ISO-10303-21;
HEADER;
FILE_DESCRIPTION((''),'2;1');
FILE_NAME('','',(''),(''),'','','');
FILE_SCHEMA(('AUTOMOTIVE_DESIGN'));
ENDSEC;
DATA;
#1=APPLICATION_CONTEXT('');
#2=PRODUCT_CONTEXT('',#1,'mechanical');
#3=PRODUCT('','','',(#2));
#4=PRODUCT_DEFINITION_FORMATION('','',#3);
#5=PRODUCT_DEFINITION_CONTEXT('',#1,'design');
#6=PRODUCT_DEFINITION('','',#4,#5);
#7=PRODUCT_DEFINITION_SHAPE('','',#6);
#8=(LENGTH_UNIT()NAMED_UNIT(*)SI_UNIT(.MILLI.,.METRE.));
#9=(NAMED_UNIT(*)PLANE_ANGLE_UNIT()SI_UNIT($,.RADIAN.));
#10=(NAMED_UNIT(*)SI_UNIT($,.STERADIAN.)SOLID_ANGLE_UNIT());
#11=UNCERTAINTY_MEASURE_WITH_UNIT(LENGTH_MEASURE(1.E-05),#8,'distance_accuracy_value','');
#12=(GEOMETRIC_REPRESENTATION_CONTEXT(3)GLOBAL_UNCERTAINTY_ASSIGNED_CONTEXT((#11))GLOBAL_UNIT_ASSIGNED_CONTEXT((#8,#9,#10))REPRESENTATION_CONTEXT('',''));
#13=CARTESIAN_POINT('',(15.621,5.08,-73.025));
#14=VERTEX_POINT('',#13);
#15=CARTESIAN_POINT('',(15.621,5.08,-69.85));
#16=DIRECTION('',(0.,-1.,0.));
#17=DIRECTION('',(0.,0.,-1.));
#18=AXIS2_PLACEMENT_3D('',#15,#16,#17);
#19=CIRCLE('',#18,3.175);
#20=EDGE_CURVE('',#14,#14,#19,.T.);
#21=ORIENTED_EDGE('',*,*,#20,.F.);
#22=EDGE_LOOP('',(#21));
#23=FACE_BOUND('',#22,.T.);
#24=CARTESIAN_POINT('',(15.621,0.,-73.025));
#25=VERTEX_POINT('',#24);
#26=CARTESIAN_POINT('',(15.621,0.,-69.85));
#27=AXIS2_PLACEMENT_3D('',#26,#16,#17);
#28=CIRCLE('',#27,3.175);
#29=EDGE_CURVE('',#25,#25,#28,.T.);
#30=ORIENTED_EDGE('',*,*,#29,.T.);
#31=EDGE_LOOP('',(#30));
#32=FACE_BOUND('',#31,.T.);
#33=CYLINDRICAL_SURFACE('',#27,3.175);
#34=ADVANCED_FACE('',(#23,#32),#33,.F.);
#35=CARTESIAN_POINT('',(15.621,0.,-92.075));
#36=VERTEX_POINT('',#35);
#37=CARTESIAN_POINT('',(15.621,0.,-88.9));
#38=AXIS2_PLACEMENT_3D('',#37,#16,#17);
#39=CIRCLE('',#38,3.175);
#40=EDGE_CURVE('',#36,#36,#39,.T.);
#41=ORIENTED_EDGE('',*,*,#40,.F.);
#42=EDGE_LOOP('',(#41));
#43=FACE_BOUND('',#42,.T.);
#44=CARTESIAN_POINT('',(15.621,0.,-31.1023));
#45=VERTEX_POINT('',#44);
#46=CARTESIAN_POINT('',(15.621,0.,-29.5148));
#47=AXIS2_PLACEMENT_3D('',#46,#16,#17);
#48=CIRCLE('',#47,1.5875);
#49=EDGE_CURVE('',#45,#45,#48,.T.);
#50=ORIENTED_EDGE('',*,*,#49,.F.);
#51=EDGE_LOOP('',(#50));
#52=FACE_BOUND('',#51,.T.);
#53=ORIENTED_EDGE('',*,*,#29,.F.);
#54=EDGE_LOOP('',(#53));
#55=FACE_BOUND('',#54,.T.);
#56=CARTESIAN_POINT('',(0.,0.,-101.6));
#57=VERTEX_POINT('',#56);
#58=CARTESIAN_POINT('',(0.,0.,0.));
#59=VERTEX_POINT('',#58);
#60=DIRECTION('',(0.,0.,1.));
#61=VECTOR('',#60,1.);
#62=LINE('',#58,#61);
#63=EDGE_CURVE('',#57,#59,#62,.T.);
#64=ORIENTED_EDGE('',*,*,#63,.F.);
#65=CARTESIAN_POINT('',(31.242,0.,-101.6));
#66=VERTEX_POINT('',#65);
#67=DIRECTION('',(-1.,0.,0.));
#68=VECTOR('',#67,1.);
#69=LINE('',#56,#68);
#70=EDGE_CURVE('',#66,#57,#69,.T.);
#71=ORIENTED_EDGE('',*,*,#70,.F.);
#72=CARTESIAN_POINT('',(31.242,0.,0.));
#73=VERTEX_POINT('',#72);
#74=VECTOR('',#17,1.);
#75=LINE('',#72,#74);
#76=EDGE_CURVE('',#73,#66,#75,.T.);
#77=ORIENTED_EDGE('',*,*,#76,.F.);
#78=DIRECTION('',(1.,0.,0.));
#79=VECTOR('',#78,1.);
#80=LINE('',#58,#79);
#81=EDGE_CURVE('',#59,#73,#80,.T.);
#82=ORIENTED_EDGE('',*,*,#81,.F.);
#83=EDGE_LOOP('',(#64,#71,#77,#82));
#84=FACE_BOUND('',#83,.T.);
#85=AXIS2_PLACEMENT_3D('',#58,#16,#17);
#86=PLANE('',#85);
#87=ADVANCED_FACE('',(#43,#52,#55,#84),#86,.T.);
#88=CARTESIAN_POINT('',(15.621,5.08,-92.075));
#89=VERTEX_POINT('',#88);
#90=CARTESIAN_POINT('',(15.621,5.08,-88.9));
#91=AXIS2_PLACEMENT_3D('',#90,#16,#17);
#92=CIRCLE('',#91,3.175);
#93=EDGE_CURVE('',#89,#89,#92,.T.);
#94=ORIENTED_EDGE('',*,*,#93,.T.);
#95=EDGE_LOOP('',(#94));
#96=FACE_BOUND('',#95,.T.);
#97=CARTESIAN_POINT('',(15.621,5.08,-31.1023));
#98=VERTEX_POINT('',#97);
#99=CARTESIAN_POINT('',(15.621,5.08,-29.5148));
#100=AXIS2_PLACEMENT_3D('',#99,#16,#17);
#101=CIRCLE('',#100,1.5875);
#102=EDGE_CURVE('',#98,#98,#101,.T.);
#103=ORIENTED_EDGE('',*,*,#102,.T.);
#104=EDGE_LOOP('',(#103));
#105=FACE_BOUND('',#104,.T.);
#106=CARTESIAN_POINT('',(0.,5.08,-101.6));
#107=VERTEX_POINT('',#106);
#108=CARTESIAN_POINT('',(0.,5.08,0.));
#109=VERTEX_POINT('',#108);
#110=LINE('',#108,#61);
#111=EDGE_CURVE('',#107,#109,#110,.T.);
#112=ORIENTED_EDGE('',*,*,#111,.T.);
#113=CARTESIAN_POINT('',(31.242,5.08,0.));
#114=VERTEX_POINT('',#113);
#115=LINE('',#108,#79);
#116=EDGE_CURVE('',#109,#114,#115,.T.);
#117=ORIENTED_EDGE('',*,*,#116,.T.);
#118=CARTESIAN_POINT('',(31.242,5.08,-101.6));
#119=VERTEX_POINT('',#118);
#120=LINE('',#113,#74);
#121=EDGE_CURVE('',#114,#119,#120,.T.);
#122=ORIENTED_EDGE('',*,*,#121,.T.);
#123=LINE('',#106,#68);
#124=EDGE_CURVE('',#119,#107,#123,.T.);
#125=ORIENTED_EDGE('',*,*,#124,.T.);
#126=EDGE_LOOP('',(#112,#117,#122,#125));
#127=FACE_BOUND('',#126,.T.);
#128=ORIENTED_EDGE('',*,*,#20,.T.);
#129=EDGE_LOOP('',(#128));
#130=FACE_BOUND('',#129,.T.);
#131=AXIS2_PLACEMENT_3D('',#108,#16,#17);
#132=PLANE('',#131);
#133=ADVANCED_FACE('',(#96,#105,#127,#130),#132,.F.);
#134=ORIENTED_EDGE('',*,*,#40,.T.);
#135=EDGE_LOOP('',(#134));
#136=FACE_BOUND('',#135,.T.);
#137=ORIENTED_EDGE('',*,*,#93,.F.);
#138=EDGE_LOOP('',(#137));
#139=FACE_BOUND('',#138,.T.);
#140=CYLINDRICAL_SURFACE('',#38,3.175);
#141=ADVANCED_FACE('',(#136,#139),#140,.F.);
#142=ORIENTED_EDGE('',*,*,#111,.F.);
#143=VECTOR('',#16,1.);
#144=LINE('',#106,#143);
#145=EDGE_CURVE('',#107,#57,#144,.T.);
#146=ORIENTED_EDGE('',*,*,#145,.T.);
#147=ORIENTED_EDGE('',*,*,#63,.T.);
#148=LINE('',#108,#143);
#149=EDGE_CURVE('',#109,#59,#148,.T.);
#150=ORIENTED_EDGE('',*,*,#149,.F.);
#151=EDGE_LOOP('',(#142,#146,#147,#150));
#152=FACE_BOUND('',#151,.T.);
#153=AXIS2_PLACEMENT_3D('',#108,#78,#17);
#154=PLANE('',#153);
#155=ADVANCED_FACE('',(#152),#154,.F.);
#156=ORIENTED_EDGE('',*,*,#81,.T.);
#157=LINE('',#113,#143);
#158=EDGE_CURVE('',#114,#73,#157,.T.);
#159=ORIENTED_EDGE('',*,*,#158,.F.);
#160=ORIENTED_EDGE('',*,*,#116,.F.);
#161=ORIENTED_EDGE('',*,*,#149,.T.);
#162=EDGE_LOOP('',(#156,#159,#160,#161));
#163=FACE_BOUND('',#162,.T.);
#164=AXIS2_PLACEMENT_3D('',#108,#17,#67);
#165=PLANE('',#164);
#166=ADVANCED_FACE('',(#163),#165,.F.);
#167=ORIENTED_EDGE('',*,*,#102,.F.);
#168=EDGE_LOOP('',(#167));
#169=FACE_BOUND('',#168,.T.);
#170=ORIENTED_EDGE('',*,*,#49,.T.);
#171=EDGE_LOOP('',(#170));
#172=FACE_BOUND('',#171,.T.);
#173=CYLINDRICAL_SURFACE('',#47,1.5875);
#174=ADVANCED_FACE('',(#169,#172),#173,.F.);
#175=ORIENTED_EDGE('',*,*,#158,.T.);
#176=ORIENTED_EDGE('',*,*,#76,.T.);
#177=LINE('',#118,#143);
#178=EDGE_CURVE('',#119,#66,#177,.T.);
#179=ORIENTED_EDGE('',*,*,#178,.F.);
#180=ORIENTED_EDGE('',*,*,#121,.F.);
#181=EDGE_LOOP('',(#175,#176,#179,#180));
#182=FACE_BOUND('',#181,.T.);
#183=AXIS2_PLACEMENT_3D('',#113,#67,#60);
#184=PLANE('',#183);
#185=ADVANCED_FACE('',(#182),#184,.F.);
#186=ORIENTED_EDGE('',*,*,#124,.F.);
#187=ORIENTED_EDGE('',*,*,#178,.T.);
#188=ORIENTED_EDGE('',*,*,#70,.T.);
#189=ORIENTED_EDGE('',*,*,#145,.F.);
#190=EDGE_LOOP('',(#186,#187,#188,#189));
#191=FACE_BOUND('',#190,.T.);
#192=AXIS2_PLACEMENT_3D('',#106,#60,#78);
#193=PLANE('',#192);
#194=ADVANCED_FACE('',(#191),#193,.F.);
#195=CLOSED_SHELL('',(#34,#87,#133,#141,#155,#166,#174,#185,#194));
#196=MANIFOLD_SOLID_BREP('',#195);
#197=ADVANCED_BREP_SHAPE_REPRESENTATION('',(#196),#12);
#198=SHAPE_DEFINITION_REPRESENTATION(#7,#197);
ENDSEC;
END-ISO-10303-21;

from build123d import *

# Parameters (mm, degrees)
SKETCH1_W                   = 31.242
SKETCH1_H                   = 101.6
BOSS_EXTRUDE1_DEPTH         = 5.08
F_1_4_0_25_DIAMETER_HOLE1_D = 6.35
F_1_8_0_1250_DOWEL_HOLE1_D  = 3.175


with BuildPart() as part:
    # Sketch1 → Boss-Extrude1 (new body)
    with BuildSketch(Plane(origin=(0, 0, 0), x_dir=(1, 0, 0), z_dir=(0, 1, 0))):
        with Locations((15.621, 50.8)):
            Rectangle(SKETCH1_W, SKETCH1_H)
    extrude(amount=BOSS_EXTRUDE1_DEPTH)

    # 1/4 (0.25) Diameter Hole1 (through all)
    with Locations(Plane(origin=(0, 0, 0), x_dir=(-1, 0, 0), z_dir=(0, -1, 0))):
        with Locations((-15.621, 69.85), (-15.621, 88.9)):
            Hole(F_1_4_0_25_DIAMETER_HOLE1_D / 2)

    # 1/8 (0.1250) Dowel Hole1 (through all)
    with Locations(Plane(origin=(15.621, 0, -29.5148), x_dir=(0, 0, -1), z_dir=(0, -1, 0))):
        with Locations((0, 0)):
            Hole(F_1_8_0_1250_DOWEL_HOLE1_D / 2)


solid = part.part
